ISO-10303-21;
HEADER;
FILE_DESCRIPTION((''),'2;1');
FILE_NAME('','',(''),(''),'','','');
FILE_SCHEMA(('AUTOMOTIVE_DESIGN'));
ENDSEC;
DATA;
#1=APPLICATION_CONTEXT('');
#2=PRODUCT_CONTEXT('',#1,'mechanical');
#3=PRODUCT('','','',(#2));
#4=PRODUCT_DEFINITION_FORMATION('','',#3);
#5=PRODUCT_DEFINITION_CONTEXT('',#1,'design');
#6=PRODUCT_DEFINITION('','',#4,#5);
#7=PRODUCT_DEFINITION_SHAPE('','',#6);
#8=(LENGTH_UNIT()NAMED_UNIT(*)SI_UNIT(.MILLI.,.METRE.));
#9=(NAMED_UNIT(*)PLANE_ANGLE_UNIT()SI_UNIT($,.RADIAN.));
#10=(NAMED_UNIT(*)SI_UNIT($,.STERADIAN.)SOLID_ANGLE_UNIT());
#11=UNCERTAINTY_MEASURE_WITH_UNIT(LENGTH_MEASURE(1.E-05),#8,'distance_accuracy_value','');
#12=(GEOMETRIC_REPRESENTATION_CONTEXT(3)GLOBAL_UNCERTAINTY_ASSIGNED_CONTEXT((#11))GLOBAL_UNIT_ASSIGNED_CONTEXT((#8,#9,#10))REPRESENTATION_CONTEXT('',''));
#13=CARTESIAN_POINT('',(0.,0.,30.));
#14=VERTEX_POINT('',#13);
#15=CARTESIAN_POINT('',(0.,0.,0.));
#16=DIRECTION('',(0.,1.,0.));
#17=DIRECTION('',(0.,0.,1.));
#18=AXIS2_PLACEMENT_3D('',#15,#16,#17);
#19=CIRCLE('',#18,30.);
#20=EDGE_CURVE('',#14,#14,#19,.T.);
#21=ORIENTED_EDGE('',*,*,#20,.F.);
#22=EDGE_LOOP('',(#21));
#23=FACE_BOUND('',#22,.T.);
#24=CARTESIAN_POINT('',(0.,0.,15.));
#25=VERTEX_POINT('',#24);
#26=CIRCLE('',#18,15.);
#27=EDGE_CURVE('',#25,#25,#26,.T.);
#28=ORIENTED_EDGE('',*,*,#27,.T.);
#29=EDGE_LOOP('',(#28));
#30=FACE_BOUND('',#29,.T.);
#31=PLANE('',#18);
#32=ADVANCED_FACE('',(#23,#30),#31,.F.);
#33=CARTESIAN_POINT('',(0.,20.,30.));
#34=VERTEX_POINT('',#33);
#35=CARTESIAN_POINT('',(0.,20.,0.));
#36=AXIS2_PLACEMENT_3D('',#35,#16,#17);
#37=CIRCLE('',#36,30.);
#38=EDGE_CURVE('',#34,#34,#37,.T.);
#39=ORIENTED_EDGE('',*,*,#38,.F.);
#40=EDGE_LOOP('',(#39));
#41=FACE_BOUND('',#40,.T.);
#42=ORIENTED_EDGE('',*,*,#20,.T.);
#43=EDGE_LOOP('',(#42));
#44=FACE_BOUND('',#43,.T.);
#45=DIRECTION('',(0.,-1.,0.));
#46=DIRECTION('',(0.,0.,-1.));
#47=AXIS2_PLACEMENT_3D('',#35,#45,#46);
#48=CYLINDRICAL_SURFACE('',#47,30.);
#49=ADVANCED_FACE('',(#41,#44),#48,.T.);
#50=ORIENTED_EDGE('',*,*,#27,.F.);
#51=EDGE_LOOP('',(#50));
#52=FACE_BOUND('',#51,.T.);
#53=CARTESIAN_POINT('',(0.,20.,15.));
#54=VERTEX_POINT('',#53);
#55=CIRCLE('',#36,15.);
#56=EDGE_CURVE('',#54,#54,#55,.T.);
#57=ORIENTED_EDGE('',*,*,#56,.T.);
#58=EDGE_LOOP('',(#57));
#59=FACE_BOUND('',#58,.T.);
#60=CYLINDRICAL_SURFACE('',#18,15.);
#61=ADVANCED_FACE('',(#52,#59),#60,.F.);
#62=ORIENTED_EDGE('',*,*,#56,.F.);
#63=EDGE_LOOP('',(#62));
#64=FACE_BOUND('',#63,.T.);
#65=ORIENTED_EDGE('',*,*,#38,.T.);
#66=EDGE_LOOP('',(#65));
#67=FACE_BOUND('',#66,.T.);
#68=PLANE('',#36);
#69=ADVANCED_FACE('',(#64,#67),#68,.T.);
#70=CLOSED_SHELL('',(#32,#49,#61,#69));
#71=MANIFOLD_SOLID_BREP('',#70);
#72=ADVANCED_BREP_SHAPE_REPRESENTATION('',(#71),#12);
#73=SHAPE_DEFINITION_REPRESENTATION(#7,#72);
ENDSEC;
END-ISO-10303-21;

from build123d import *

# Parameters (mm, degrees)
SKETCH_1_R          = 30
EXTRUDE_1_DEPTH     = 20
SKETCH_2_R          = 15
CUT_EXTRUDE_1_DEPTH = 20


with BuildPart() as part:
    # Эскиз1 → Бобышка-Вытянуть1 (new body)
    with BuildSketch(Plane(origin=(0, 0, 0), x_dir=(1, 0, 0), z_dir=(0, 1, 0))):
        with Locations(Location((0, 0, 0), (0, 0, 270))):
            Circle(SKETCH_1_R)
    extrude(amount=EXTRUDE_1_DEPTH)

    # Эскиз2 → Вырез-Вытянуть1 (cut)
    with BuildSketch(Plane(origin=(0, 20, 0), x_dir=(1, 0, 0), z_dir=(0, 1, 0))):
        with Locations(Location((0, 0, 0), (0, 0, 270))):
            Circle(SKETCH_2_R)
    extrude(amount=-CUT_EXTRUDE_1_DEPTH, mode=Mode.SUBTRACT)


solid = part.part
